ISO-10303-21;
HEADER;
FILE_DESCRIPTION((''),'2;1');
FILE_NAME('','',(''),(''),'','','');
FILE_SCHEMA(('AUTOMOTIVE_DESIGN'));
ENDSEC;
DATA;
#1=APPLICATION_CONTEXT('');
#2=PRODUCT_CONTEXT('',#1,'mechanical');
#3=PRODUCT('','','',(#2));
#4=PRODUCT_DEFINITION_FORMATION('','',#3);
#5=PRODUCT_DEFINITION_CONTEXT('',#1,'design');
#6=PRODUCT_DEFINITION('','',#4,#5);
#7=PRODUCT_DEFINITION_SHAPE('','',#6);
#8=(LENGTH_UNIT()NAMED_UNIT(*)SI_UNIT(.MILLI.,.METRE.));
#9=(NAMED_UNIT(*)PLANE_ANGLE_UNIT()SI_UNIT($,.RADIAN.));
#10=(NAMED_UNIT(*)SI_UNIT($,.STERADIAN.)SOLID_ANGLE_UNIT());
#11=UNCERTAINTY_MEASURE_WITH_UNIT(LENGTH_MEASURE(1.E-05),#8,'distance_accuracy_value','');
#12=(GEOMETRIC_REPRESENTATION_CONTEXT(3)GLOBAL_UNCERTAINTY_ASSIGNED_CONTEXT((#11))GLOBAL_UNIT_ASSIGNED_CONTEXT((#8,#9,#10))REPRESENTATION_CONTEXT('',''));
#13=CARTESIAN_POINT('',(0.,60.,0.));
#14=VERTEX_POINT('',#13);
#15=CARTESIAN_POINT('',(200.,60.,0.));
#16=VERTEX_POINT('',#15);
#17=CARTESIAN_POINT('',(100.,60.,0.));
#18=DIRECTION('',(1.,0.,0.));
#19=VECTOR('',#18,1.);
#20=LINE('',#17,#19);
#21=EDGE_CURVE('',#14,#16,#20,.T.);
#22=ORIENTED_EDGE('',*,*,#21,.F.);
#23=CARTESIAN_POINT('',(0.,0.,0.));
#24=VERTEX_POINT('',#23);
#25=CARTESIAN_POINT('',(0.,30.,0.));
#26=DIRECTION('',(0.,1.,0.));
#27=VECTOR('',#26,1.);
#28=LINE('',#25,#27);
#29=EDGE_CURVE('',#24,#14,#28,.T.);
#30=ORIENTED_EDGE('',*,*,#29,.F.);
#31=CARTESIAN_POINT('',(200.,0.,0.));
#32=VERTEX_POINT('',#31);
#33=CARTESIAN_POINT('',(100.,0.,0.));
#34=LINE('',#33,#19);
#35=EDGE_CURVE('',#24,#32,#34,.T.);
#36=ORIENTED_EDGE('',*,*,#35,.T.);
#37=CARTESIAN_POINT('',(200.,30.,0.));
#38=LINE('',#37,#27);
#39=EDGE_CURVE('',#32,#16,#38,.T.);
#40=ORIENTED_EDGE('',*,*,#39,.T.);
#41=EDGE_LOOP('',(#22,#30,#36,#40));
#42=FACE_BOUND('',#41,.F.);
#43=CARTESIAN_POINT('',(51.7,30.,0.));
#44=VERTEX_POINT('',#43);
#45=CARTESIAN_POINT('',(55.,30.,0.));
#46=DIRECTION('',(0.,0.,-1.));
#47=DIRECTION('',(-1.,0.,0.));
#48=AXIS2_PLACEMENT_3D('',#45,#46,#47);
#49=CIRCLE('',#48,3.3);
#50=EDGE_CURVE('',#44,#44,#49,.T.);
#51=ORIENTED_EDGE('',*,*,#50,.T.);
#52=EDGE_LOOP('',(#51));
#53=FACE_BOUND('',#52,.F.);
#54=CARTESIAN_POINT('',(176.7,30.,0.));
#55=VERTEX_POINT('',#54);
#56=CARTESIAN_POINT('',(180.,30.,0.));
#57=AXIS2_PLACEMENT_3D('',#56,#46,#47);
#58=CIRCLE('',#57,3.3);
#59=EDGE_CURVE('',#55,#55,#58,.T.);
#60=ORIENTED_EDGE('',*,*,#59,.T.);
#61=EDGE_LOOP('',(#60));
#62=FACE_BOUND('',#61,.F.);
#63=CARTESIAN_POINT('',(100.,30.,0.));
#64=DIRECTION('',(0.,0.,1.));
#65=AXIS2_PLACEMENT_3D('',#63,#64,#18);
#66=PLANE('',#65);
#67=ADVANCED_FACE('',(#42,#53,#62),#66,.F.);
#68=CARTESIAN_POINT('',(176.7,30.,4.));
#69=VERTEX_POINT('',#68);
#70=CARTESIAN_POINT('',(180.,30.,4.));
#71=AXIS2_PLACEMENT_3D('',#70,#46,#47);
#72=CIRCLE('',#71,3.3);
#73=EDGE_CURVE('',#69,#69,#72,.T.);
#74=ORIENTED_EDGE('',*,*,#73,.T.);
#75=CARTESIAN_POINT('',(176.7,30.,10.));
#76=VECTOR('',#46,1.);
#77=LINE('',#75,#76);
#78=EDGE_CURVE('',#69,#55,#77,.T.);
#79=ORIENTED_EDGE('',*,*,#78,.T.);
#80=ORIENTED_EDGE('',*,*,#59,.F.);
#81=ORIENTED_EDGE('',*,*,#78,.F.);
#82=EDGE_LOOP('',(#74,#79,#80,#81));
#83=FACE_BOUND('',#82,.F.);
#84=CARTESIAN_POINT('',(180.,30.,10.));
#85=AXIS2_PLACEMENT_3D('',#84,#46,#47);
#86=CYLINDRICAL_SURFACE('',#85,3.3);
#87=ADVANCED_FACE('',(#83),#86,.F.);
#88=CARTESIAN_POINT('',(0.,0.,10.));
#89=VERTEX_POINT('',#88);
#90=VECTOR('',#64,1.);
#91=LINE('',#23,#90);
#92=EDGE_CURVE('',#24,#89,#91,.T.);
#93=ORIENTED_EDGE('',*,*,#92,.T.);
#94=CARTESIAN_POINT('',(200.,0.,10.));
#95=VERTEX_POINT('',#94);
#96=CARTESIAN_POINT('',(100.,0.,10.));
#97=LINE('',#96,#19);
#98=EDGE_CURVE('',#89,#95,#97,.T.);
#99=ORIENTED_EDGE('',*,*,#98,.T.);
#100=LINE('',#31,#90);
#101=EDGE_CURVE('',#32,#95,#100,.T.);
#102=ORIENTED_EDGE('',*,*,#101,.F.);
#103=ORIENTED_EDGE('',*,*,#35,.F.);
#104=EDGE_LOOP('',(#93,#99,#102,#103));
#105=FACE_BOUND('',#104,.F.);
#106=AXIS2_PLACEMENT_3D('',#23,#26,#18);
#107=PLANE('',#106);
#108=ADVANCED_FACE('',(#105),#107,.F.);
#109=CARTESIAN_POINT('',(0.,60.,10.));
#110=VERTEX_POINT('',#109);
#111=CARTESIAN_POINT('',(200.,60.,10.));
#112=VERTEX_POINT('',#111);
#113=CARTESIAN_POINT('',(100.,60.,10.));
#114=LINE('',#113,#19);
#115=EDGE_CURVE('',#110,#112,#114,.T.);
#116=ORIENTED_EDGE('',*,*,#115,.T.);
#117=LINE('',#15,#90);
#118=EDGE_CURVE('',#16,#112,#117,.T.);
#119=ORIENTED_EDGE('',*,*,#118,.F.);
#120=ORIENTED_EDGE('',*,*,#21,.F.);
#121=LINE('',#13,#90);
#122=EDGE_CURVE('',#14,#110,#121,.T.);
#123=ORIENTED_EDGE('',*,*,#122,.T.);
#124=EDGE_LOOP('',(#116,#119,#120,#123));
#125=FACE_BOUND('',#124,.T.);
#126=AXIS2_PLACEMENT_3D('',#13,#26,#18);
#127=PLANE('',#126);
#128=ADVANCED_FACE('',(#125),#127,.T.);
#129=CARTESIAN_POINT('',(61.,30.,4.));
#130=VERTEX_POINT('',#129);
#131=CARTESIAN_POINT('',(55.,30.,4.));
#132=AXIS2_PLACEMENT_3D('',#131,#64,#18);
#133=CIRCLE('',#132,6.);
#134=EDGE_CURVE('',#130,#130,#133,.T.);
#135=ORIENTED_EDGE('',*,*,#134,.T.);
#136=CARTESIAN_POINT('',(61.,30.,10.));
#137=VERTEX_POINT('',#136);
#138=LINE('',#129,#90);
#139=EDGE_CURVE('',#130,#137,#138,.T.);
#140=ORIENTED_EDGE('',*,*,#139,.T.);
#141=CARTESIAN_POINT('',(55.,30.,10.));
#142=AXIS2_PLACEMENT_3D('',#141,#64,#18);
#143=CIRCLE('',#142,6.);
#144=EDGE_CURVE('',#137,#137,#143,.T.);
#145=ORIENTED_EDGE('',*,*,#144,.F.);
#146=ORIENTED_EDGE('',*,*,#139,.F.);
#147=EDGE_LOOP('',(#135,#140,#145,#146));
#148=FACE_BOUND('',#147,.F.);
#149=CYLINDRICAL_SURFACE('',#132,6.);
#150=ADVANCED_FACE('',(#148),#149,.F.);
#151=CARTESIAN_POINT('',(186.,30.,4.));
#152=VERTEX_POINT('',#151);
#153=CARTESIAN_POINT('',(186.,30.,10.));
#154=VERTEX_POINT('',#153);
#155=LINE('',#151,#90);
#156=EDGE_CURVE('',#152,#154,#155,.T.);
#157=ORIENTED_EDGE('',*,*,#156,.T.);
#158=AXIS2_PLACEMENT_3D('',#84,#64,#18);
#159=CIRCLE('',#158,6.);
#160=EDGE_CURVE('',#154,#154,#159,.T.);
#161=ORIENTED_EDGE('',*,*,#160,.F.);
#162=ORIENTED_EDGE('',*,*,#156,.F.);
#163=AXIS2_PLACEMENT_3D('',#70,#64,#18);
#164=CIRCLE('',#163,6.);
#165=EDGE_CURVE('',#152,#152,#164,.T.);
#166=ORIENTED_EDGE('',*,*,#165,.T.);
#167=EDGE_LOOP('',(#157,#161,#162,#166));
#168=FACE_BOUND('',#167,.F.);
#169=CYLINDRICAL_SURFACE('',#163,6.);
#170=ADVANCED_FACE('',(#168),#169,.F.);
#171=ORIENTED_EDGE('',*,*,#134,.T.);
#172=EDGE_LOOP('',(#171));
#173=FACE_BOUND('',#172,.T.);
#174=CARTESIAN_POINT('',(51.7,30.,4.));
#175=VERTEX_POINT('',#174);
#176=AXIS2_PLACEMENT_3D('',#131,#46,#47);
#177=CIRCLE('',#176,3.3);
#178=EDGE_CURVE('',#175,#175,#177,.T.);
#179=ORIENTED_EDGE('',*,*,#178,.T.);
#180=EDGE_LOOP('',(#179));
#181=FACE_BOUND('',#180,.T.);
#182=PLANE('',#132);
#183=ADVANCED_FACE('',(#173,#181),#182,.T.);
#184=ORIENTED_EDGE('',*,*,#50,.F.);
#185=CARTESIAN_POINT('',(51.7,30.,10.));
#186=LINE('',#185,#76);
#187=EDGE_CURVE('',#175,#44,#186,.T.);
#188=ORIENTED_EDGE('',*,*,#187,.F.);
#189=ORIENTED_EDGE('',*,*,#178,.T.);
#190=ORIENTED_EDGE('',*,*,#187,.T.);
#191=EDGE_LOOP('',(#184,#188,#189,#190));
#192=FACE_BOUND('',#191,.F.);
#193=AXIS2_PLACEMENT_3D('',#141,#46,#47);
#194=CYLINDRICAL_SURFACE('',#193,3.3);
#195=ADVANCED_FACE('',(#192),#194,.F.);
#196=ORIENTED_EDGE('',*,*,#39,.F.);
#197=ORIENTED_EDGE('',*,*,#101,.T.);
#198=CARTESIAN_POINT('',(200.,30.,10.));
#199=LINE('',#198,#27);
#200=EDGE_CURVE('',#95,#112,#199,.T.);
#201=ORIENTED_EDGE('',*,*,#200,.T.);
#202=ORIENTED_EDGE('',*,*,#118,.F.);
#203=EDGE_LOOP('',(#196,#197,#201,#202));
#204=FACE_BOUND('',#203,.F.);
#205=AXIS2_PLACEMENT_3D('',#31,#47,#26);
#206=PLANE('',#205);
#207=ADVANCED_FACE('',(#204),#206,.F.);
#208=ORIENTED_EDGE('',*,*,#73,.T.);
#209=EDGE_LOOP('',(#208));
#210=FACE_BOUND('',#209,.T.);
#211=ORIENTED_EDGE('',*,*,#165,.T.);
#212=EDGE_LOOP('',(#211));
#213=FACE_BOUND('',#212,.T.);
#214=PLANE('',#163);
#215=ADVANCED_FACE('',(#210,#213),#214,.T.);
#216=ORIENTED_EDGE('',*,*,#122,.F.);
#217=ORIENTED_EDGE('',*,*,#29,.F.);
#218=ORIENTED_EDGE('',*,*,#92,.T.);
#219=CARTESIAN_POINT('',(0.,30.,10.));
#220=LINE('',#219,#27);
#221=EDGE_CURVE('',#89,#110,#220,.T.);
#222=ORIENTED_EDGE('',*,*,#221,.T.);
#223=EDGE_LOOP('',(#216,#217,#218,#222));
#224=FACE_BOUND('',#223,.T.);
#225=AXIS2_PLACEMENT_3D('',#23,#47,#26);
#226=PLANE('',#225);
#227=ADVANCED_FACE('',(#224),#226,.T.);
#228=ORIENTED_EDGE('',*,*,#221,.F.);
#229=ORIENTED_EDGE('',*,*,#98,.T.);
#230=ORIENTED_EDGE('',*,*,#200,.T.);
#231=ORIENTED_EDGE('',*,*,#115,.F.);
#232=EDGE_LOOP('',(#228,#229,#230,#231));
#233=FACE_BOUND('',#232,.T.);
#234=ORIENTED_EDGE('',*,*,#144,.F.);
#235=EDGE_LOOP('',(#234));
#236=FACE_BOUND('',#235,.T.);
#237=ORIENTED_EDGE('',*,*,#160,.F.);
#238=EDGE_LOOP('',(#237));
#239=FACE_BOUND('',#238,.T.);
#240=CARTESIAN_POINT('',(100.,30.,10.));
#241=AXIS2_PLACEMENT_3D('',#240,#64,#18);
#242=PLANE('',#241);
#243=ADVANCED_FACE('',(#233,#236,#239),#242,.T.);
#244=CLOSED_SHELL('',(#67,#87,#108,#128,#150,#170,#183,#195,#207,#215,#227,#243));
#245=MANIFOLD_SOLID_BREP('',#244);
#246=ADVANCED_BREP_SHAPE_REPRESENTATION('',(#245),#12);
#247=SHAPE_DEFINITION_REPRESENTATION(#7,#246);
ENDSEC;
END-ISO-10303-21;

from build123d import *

# Parameters (mm, degrees)
F0_W           = 200
F0_H           = 60
F1_DEPTH       = 10
F3_D           = 6.6
F3_CBORE_D     = 12
F3_CBORE_DEPTH = 6


with BuildPart() as f1:
    # F0 (on Top) → F1 (new body)
    with BuildSketch(Plane.XY):
        with Locations((100, 30)):
            Rectangle(F0_W, F0_H)
    extrude(amount=F1_DEPTH)

    # F3 (through all)
    with Locations(Plane.XY.offset(10)):
        with Locations((180, 30), (55, 30)):
            CounterBoreHole(F3_D / 2, F3_CBORE_D / 2, F3_CBORE_DEPTH)


solid = f1.part
